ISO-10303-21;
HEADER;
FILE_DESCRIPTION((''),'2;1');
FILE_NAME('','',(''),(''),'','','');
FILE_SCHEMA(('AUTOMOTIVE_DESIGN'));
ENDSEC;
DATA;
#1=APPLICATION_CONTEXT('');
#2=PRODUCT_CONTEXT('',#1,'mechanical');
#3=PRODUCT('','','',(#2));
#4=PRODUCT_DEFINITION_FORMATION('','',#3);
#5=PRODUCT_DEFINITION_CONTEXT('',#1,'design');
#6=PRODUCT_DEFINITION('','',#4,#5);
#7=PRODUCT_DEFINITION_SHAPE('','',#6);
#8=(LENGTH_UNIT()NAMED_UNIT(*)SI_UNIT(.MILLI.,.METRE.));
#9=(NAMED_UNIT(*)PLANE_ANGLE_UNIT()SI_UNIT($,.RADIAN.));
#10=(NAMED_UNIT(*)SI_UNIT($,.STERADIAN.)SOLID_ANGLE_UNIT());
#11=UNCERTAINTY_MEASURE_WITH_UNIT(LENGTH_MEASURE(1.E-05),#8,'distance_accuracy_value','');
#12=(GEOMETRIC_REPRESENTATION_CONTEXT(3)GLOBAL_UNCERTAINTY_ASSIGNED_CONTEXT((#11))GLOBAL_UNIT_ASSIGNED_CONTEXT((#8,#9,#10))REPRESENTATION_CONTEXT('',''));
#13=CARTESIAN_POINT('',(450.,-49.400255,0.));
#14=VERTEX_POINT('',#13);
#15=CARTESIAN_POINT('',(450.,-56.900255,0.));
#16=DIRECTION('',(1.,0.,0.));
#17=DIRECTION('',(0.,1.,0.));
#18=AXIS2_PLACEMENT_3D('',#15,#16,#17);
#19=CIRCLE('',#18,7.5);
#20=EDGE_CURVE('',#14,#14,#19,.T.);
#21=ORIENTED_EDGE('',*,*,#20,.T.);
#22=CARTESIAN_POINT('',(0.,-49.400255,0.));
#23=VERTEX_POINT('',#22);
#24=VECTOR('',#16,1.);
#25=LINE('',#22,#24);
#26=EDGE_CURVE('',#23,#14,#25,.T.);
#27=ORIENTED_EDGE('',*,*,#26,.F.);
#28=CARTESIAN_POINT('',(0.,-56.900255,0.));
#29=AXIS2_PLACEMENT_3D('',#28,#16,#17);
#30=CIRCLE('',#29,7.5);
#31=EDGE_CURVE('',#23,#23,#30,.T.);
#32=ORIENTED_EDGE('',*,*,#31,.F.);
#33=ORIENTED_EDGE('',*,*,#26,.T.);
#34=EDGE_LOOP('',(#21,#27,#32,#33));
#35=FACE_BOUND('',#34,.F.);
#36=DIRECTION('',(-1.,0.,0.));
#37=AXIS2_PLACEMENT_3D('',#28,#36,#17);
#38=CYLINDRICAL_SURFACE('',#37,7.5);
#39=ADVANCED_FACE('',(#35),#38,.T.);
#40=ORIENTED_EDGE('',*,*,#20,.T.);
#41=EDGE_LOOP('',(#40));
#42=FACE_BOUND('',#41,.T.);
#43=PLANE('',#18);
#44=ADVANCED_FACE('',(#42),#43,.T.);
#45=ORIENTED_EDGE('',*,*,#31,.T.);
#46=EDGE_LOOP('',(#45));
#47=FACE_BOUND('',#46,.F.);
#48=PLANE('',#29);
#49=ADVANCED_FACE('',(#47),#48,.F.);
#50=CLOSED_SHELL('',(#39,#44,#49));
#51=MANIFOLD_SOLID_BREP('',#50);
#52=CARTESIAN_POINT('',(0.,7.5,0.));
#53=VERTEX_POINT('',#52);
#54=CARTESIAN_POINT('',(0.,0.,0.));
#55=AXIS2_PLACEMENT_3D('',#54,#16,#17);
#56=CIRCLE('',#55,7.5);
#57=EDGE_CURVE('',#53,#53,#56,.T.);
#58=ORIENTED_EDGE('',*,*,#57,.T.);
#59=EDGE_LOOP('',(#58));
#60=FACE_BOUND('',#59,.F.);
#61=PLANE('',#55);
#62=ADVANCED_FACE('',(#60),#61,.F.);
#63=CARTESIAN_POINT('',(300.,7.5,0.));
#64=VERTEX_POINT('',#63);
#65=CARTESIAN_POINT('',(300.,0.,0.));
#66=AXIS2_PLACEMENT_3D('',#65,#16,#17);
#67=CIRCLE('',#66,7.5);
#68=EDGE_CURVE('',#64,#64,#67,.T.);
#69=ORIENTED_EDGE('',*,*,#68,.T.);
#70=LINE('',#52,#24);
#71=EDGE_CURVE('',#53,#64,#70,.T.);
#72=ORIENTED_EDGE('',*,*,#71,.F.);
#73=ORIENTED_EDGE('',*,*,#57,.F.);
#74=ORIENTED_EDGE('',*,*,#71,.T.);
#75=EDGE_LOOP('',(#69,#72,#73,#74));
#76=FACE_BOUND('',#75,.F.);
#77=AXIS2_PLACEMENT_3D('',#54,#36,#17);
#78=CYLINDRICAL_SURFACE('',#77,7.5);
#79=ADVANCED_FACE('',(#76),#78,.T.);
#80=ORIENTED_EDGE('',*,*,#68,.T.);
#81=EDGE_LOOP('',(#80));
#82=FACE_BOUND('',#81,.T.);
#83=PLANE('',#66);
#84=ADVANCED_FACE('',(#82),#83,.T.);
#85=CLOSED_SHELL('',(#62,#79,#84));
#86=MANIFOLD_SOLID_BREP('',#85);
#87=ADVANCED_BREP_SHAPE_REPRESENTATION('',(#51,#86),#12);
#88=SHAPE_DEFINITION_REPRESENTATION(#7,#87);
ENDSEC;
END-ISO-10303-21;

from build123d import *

# Parameters (mm, degrees)
F0_R     = 7.5
F1_DEPTH = 300
F2_R     = 7.5
F3_DEPTH = 450


with BuildPart() as f1:
    # F0 (on Right) → F1 (new body)
    with BuildSketch(Plane.YZ):
        Circle(F0_R)
    extrude(amount=F1_DEPTH)


with BuildPart() as f3:
    # F2 (on Right) → F3 (new body)
    with BuildSketch(Plane.YZ):
        with Locations((-56.900255, 0)):
            Circle(F2_R)
    extrude(amount=F3_DEPTH)


solid = Compound([f1.part, f3.part])
